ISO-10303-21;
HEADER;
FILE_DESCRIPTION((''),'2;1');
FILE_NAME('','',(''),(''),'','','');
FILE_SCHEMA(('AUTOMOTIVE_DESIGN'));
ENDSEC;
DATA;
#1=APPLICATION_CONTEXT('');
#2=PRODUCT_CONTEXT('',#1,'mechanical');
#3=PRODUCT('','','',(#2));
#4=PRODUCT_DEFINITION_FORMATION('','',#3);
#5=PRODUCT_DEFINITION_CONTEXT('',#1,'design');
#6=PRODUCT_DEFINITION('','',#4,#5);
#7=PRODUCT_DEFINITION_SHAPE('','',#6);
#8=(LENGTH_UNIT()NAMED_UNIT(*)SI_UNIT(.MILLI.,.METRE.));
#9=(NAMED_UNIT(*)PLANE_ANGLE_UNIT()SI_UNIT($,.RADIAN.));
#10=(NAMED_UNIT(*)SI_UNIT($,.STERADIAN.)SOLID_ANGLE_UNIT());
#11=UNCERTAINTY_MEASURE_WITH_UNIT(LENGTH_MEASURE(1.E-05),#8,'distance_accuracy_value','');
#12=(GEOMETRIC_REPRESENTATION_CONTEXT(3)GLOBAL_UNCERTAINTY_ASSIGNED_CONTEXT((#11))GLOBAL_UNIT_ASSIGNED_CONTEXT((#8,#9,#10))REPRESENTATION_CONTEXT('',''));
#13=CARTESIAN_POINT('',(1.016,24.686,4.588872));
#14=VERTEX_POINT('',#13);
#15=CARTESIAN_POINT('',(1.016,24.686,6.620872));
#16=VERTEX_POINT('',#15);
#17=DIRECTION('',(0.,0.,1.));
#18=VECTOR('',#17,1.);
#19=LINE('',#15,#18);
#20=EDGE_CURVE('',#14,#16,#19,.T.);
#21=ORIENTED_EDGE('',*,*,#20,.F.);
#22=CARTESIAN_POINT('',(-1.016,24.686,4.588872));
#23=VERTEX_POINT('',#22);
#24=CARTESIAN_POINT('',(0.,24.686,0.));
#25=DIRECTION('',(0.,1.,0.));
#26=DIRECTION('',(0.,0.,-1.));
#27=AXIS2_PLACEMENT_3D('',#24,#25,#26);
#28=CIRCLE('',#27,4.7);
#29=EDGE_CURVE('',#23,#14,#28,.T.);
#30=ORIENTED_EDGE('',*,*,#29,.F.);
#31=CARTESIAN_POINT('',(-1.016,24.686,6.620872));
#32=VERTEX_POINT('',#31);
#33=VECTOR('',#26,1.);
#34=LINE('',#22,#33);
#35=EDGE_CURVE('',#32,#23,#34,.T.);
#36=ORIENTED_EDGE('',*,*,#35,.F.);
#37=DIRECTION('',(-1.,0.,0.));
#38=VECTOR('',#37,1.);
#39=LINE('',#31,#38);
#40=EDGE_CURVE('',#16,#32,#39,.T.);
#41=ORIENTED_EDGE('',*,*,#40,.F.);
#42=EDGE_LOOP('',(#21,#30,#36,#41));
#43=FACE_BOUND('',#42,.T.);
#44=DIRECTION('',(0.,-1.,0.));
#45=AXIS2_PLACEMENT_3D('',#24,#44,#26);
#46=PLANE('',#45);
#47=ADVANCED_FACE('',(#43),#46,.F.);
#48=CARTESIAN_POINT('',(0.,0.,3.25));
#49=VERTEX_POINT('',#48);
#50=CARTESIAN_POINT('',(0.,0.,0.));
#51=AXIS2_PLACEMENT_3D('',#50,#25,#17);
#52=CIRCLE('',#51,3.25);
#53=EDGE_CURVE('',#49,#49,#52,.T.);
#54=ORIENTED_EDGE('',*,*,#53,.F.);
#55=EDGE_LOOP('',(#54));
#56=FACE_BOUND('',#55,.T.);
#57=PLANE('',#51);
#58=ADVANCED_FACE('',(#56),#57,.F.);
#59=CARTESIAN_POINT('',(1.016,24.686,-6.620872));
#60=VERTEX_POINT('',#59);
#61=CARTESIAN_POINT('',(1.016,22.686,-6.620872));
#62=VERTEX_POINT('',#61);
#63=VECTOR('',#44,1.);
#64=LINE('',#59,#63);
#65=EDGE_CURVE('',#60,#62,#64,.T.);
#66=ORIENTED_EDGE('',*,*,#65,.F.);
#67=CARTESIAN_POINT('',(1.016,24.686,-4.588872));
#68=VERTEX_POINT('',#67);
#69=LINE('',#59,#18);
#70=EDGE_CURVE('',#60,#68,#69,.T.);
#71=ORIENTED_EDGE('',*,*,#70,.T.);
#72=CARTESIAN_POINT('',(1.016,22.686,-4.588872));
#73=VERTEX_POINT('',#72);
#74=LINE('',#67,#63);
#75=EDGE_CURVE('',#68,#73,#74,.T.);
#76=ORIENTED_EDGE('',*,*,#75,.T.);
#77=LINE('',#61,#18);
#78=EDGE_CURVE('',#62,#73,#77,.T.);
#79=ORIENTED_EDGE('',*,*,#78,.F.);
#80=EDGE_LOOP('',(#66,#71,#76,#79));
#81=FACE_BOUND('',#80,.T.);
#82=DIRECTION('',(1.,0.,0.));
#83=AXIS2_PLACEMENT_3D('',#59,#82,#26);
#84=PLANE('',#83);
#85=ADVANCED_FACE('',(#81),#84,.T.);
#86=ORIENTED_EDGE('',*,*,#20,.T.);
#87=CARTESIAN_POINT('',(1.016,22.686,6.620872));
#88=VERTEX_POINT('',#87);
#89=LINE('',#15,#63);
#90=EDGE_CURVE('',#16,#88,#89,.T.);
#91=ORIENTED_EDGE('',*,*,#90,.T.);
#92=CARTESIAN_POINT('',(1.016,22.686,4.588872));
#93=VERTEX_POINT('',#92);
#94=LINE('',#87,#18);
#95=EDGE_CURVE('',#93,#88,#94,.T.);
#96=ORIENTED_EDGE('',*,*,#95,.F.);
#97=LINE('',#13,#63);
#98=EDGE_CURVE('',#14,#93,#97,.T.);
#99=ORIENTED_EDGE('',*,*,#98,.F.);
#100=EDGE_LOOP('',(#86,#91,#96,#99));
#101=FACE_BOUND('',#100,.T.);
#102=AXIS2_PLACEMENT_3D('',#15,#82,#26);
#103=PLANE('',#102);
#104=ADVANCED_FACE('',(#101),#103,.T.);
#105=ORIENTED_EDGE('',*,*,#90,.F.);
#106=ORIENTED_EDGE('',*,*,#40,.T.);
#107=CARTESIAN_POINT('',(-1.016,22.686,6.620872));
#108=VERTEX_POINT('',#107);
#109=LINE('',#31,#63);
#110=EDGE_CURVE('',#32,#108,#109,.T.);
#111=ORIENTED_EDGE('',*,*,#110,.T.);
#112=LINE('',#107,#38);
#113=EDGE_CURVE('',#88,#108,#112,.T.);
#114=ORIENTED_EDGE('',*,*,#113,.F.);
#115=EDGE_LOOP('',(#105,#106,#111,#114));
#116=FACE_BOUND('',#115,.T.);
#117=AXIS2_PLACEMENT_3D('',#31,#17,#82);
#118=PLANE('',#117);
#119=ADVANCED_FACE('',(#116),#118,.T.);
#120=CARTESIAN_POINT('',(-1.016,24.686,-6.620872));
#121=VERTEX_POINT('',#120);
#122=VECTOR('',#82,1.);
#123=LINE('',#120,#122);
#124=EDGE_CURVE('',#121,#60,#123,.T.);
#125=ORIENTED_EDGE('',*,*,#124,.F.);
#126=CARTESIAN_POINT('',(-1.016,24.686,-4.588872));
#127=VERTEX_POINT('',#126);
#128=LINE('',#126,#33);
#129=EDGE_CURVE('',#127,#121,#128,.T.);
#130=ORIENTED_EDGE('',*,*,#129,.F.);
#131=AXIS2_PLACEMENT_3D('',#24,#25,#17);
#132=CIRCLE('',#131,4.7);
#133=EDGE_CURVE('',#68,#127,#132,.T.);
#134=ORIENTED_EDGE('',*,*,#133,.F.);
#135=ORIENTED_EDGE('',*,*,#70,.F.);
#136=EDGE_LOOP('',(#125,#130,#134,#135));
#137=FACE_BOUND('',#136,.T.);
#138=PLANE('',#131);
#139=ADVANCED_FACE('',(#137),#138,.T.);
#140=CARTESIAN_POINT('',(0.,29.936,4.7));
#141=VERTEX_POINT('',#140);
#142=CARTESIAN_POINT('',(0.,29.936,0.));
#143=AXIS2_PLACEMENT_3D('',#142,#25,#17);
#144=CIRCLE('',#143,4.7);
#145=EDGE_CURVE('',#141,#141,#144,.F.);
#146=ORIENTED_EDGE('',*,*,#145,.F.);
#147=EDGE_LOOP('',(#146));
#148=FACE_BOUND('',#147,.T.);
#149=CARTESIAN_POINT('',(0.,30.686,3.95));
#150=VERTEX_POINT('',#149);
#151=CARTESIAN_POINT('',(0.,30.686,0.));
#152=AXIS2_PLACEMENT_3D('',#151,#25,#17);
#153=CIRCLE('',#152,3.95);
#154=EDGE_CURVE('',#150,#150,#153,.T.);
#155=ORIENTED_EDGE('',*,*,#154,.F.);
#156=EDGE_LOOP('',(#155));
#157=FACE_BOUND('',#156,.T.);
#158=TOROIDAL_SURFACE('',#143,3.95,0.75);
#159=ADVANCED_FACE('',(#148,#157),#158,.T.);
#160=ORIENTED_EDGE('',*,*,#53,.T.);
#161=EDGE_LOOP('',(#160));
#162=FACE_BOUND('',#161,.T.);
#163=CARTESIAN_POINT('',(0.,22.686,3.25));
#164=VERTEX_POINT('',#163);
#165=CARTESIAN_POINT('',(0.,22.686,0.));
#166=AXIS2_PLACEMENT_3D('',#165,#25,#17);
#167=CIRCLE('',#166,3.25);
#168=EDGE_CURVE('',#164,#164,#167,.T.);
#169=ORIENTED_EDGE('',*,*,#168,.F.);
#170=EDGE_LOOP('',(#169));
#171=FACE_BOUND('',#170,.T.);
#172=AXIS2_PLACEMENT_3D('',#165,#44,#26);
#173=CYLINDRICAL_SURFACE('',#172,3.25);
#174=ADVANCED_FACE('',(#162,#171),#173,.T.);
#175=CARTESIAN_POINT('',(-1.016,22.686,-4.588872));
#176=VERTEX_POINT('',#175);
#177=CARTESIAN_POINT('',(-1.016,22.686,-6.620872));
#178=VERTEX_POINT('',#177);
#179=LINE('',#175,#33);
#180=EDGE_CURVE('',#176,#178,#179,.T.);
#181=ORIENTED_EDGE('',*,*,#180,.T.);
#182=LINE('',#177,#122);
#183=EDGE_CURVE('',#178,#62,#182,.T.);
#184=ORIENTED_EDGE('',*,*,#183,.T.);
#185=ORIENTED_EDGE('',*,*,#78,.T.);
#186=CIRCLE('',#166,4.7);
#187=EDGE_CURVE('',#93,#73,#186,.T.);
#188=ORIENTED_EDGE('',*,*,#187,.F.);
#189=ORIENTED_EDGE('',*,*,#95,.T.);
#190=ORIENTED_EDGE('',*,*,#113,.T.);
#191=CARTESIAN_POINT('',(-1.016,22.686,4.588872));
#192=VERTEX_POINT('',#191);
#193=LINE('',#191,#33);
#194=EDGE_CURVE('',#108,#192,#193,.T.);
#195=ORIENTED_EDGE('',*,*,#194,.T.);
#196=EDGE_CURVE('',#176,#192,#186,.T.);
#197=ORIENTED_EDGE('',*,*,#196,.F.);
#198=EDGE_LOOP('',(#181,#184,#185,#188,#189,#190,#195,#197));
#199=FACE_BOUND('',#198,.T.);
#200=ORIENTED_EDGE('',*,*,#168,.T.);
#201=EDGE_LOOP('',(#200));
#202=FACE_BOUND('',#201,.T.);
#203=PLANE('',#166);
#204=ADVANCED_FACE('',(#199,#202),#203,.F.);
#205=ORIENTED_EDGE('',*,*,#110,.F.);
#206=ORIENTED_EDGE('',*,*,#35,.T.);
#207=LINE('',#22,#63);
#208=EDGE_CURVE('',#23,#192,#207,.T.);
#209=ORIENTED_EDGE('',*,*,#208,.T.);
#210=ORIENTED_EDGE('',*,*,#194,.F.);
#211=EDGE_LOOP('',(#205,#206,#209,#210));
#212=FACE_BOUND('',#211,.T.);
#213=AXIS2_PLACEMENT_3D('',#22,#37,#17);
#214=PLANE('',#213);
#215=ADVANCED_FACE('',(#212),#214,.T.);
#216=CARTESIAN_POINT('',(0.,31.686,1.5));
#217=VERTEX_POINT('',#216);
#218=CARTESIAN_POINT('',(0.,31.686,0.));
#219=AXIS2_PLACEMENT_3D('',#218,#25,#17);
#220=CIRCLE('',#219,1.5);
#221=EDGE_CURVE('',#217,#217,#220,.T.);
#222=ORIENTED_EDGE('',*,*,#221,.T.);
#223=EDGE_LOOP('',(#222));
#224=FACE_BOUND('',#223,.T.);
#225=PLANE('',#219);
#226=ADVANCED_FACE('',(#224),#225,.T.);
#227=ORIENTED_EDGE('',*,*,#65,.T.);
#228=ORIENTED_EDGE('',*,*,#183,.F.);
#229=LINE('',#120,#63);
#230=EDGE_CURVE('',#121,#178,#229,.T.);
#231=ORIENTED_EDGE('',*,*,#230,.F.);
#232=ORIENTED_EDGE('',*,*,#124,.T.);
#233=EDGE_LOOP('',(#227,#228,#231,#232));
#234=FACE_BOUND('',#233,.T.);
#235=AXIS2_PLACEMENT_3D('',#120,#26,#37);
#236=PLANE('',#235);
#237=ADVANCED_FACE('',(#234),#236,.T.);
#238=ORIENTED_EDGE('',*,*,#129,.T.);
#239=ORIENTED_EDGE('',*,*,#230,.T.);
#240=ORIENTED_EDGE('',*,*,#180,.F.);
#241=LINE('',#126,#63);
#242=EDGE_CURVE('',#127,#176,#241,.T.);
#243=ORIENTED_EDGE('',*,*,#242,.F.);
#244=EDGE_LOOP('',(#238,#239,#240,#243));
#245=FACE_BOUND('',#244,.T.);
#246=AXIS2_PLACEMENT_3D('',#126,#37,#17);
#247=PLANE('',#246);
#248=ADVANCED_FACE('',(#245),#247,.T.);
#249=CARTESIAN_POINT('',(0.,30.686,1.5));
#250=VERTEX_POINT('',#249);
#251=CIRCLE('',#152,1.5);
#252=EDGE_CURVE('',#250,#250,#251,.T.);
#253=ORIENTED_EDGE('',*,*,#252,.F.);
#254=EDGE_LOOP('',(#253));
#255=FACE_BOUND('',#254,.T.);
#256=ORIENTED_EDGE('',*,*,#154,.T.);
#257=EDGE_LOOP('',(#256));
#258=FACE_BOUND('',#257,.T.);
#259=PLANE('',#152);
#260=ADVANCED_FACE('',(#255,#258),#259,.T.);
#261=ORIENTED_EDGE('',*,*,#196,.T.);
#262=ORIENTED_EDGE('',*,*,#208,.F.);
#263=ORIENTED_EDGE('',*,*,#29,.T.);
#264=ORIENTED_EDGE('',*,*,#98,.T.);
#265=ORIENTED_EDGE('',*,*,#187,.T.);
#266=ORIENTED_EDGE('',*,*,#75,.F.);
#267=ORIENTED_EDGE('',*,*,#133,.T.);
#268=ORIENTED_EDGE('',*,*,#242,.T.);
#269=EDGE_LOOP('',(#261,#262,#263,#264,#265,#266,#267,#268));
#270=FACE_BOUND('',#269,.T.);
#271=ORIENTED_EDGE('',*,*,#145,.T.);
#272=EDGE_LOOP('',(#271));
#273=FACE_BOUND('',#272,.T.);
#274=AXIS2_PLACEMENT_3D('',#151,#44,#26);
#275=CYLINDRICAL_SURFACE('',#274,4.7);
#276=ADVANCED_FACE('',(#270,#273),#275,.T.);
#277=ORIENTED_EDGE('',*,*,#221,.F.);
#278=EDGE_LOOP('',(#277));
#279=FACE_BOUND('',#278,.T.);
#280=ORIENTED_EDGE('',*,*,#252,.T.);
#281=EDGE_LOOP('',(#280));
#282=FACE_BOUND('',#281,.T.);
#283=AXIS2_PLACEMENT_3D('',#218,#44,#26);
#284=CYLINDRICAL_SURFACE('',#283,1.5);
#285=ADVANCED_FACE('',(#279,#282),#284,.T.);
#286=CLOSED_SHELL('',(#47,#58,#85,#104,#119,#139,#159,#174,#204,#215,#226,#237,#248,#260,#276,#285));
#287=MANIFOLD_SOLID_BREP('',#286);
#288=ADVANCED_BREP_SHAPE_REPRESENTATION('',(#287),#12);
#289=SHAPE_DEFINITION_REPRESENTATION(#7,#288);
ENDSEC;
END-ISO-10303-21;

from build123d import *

# Parameters (mm, degrees)
SKETCH1_R           = 3.25
BOSS_EXTRUDE1_DEPTH = 22.686
SKETCH6_R           = 4.7
BOSS_EXTRUDE2_DEPTH = 8
FILLET2_R           = 0.75
SKETCH7_R           = 1.5
BOSS_EXTRUDE3_DEPTH = 1
BOSS_EXTRUDE4_DEPTH = 2


with BuildPart() as part:
    # Sketch1 → Boss-Extrude1 (new body)
    with BuildSketch(Plane(origin=(0, 0, 0), x_dir=(1, 0, 0), z_dir=(0, 1, 0))):
        Circle(SKETCH1_R)
    extrude(amount=BOSS_EXTRUDE1_DEPTH)

    # Sketch6 → Boss-Extrude2 (add)
    with BuildSketch(Plane(origin=(0, 22.686, 0), x_dir=(1, 0, 0), z_dir=(0, 1, 0))):
        Circle(SKETCH6_R)
    extrude(amount=BOSS_EXTRUDE2_DEPTH)

    # Fillet2
    fillet2_edges = [part.edges().sort_by_distance(p)[0] for p in [
        (-4.7, 30.686, 0),
    ]]
    fillet(fillet2_edges, radius=FILLET2_R)

    # Sketch7 → Boss-Extrude3 (add)
    with BuildSketch(Plane(origin=(0, 30.686, 0), x_dir=(1, 0, 0), z_dir=(0, 1, 0))):
        Circle(SKETCH7_R)
    extrude(amount=BOSS_EXTRUDE3_DEPTH)

    # Sketch8 → Boss-Extrude4 (add)
    with BuildSketch(Plane.XZ.offset(-22.686)):
        with BuildLine():
            Line((-1.016, 4.588871757), (-1.016, 6.620871757))
            Line((-1.016, 6.620871757), (1.016, 6.620871757))
            Line((1.016, 6.620871757), (1.016, 4.588871757))
            ThreePointArc((1.016, 4.588871757), (0, 4.7), (-1.016, 4.588871757))
        make_face()
        with BuildLine():
            Line((1.016, -6.620871757), (1.016, -4.588871757))
            ThreePointArc((1.016, -4.588871757), (0, -4.7), (-1.016, -4.588871757))
            Line((-1.016, -4.588871757), (-1.016, -6.620871757))
            Line((-1.016, -6.620871757), (1.016, -6.620871757))
        make_face()
    extrude(amount=-BOSS_EXTRUDE4_DEPTH)


solid = part.part
